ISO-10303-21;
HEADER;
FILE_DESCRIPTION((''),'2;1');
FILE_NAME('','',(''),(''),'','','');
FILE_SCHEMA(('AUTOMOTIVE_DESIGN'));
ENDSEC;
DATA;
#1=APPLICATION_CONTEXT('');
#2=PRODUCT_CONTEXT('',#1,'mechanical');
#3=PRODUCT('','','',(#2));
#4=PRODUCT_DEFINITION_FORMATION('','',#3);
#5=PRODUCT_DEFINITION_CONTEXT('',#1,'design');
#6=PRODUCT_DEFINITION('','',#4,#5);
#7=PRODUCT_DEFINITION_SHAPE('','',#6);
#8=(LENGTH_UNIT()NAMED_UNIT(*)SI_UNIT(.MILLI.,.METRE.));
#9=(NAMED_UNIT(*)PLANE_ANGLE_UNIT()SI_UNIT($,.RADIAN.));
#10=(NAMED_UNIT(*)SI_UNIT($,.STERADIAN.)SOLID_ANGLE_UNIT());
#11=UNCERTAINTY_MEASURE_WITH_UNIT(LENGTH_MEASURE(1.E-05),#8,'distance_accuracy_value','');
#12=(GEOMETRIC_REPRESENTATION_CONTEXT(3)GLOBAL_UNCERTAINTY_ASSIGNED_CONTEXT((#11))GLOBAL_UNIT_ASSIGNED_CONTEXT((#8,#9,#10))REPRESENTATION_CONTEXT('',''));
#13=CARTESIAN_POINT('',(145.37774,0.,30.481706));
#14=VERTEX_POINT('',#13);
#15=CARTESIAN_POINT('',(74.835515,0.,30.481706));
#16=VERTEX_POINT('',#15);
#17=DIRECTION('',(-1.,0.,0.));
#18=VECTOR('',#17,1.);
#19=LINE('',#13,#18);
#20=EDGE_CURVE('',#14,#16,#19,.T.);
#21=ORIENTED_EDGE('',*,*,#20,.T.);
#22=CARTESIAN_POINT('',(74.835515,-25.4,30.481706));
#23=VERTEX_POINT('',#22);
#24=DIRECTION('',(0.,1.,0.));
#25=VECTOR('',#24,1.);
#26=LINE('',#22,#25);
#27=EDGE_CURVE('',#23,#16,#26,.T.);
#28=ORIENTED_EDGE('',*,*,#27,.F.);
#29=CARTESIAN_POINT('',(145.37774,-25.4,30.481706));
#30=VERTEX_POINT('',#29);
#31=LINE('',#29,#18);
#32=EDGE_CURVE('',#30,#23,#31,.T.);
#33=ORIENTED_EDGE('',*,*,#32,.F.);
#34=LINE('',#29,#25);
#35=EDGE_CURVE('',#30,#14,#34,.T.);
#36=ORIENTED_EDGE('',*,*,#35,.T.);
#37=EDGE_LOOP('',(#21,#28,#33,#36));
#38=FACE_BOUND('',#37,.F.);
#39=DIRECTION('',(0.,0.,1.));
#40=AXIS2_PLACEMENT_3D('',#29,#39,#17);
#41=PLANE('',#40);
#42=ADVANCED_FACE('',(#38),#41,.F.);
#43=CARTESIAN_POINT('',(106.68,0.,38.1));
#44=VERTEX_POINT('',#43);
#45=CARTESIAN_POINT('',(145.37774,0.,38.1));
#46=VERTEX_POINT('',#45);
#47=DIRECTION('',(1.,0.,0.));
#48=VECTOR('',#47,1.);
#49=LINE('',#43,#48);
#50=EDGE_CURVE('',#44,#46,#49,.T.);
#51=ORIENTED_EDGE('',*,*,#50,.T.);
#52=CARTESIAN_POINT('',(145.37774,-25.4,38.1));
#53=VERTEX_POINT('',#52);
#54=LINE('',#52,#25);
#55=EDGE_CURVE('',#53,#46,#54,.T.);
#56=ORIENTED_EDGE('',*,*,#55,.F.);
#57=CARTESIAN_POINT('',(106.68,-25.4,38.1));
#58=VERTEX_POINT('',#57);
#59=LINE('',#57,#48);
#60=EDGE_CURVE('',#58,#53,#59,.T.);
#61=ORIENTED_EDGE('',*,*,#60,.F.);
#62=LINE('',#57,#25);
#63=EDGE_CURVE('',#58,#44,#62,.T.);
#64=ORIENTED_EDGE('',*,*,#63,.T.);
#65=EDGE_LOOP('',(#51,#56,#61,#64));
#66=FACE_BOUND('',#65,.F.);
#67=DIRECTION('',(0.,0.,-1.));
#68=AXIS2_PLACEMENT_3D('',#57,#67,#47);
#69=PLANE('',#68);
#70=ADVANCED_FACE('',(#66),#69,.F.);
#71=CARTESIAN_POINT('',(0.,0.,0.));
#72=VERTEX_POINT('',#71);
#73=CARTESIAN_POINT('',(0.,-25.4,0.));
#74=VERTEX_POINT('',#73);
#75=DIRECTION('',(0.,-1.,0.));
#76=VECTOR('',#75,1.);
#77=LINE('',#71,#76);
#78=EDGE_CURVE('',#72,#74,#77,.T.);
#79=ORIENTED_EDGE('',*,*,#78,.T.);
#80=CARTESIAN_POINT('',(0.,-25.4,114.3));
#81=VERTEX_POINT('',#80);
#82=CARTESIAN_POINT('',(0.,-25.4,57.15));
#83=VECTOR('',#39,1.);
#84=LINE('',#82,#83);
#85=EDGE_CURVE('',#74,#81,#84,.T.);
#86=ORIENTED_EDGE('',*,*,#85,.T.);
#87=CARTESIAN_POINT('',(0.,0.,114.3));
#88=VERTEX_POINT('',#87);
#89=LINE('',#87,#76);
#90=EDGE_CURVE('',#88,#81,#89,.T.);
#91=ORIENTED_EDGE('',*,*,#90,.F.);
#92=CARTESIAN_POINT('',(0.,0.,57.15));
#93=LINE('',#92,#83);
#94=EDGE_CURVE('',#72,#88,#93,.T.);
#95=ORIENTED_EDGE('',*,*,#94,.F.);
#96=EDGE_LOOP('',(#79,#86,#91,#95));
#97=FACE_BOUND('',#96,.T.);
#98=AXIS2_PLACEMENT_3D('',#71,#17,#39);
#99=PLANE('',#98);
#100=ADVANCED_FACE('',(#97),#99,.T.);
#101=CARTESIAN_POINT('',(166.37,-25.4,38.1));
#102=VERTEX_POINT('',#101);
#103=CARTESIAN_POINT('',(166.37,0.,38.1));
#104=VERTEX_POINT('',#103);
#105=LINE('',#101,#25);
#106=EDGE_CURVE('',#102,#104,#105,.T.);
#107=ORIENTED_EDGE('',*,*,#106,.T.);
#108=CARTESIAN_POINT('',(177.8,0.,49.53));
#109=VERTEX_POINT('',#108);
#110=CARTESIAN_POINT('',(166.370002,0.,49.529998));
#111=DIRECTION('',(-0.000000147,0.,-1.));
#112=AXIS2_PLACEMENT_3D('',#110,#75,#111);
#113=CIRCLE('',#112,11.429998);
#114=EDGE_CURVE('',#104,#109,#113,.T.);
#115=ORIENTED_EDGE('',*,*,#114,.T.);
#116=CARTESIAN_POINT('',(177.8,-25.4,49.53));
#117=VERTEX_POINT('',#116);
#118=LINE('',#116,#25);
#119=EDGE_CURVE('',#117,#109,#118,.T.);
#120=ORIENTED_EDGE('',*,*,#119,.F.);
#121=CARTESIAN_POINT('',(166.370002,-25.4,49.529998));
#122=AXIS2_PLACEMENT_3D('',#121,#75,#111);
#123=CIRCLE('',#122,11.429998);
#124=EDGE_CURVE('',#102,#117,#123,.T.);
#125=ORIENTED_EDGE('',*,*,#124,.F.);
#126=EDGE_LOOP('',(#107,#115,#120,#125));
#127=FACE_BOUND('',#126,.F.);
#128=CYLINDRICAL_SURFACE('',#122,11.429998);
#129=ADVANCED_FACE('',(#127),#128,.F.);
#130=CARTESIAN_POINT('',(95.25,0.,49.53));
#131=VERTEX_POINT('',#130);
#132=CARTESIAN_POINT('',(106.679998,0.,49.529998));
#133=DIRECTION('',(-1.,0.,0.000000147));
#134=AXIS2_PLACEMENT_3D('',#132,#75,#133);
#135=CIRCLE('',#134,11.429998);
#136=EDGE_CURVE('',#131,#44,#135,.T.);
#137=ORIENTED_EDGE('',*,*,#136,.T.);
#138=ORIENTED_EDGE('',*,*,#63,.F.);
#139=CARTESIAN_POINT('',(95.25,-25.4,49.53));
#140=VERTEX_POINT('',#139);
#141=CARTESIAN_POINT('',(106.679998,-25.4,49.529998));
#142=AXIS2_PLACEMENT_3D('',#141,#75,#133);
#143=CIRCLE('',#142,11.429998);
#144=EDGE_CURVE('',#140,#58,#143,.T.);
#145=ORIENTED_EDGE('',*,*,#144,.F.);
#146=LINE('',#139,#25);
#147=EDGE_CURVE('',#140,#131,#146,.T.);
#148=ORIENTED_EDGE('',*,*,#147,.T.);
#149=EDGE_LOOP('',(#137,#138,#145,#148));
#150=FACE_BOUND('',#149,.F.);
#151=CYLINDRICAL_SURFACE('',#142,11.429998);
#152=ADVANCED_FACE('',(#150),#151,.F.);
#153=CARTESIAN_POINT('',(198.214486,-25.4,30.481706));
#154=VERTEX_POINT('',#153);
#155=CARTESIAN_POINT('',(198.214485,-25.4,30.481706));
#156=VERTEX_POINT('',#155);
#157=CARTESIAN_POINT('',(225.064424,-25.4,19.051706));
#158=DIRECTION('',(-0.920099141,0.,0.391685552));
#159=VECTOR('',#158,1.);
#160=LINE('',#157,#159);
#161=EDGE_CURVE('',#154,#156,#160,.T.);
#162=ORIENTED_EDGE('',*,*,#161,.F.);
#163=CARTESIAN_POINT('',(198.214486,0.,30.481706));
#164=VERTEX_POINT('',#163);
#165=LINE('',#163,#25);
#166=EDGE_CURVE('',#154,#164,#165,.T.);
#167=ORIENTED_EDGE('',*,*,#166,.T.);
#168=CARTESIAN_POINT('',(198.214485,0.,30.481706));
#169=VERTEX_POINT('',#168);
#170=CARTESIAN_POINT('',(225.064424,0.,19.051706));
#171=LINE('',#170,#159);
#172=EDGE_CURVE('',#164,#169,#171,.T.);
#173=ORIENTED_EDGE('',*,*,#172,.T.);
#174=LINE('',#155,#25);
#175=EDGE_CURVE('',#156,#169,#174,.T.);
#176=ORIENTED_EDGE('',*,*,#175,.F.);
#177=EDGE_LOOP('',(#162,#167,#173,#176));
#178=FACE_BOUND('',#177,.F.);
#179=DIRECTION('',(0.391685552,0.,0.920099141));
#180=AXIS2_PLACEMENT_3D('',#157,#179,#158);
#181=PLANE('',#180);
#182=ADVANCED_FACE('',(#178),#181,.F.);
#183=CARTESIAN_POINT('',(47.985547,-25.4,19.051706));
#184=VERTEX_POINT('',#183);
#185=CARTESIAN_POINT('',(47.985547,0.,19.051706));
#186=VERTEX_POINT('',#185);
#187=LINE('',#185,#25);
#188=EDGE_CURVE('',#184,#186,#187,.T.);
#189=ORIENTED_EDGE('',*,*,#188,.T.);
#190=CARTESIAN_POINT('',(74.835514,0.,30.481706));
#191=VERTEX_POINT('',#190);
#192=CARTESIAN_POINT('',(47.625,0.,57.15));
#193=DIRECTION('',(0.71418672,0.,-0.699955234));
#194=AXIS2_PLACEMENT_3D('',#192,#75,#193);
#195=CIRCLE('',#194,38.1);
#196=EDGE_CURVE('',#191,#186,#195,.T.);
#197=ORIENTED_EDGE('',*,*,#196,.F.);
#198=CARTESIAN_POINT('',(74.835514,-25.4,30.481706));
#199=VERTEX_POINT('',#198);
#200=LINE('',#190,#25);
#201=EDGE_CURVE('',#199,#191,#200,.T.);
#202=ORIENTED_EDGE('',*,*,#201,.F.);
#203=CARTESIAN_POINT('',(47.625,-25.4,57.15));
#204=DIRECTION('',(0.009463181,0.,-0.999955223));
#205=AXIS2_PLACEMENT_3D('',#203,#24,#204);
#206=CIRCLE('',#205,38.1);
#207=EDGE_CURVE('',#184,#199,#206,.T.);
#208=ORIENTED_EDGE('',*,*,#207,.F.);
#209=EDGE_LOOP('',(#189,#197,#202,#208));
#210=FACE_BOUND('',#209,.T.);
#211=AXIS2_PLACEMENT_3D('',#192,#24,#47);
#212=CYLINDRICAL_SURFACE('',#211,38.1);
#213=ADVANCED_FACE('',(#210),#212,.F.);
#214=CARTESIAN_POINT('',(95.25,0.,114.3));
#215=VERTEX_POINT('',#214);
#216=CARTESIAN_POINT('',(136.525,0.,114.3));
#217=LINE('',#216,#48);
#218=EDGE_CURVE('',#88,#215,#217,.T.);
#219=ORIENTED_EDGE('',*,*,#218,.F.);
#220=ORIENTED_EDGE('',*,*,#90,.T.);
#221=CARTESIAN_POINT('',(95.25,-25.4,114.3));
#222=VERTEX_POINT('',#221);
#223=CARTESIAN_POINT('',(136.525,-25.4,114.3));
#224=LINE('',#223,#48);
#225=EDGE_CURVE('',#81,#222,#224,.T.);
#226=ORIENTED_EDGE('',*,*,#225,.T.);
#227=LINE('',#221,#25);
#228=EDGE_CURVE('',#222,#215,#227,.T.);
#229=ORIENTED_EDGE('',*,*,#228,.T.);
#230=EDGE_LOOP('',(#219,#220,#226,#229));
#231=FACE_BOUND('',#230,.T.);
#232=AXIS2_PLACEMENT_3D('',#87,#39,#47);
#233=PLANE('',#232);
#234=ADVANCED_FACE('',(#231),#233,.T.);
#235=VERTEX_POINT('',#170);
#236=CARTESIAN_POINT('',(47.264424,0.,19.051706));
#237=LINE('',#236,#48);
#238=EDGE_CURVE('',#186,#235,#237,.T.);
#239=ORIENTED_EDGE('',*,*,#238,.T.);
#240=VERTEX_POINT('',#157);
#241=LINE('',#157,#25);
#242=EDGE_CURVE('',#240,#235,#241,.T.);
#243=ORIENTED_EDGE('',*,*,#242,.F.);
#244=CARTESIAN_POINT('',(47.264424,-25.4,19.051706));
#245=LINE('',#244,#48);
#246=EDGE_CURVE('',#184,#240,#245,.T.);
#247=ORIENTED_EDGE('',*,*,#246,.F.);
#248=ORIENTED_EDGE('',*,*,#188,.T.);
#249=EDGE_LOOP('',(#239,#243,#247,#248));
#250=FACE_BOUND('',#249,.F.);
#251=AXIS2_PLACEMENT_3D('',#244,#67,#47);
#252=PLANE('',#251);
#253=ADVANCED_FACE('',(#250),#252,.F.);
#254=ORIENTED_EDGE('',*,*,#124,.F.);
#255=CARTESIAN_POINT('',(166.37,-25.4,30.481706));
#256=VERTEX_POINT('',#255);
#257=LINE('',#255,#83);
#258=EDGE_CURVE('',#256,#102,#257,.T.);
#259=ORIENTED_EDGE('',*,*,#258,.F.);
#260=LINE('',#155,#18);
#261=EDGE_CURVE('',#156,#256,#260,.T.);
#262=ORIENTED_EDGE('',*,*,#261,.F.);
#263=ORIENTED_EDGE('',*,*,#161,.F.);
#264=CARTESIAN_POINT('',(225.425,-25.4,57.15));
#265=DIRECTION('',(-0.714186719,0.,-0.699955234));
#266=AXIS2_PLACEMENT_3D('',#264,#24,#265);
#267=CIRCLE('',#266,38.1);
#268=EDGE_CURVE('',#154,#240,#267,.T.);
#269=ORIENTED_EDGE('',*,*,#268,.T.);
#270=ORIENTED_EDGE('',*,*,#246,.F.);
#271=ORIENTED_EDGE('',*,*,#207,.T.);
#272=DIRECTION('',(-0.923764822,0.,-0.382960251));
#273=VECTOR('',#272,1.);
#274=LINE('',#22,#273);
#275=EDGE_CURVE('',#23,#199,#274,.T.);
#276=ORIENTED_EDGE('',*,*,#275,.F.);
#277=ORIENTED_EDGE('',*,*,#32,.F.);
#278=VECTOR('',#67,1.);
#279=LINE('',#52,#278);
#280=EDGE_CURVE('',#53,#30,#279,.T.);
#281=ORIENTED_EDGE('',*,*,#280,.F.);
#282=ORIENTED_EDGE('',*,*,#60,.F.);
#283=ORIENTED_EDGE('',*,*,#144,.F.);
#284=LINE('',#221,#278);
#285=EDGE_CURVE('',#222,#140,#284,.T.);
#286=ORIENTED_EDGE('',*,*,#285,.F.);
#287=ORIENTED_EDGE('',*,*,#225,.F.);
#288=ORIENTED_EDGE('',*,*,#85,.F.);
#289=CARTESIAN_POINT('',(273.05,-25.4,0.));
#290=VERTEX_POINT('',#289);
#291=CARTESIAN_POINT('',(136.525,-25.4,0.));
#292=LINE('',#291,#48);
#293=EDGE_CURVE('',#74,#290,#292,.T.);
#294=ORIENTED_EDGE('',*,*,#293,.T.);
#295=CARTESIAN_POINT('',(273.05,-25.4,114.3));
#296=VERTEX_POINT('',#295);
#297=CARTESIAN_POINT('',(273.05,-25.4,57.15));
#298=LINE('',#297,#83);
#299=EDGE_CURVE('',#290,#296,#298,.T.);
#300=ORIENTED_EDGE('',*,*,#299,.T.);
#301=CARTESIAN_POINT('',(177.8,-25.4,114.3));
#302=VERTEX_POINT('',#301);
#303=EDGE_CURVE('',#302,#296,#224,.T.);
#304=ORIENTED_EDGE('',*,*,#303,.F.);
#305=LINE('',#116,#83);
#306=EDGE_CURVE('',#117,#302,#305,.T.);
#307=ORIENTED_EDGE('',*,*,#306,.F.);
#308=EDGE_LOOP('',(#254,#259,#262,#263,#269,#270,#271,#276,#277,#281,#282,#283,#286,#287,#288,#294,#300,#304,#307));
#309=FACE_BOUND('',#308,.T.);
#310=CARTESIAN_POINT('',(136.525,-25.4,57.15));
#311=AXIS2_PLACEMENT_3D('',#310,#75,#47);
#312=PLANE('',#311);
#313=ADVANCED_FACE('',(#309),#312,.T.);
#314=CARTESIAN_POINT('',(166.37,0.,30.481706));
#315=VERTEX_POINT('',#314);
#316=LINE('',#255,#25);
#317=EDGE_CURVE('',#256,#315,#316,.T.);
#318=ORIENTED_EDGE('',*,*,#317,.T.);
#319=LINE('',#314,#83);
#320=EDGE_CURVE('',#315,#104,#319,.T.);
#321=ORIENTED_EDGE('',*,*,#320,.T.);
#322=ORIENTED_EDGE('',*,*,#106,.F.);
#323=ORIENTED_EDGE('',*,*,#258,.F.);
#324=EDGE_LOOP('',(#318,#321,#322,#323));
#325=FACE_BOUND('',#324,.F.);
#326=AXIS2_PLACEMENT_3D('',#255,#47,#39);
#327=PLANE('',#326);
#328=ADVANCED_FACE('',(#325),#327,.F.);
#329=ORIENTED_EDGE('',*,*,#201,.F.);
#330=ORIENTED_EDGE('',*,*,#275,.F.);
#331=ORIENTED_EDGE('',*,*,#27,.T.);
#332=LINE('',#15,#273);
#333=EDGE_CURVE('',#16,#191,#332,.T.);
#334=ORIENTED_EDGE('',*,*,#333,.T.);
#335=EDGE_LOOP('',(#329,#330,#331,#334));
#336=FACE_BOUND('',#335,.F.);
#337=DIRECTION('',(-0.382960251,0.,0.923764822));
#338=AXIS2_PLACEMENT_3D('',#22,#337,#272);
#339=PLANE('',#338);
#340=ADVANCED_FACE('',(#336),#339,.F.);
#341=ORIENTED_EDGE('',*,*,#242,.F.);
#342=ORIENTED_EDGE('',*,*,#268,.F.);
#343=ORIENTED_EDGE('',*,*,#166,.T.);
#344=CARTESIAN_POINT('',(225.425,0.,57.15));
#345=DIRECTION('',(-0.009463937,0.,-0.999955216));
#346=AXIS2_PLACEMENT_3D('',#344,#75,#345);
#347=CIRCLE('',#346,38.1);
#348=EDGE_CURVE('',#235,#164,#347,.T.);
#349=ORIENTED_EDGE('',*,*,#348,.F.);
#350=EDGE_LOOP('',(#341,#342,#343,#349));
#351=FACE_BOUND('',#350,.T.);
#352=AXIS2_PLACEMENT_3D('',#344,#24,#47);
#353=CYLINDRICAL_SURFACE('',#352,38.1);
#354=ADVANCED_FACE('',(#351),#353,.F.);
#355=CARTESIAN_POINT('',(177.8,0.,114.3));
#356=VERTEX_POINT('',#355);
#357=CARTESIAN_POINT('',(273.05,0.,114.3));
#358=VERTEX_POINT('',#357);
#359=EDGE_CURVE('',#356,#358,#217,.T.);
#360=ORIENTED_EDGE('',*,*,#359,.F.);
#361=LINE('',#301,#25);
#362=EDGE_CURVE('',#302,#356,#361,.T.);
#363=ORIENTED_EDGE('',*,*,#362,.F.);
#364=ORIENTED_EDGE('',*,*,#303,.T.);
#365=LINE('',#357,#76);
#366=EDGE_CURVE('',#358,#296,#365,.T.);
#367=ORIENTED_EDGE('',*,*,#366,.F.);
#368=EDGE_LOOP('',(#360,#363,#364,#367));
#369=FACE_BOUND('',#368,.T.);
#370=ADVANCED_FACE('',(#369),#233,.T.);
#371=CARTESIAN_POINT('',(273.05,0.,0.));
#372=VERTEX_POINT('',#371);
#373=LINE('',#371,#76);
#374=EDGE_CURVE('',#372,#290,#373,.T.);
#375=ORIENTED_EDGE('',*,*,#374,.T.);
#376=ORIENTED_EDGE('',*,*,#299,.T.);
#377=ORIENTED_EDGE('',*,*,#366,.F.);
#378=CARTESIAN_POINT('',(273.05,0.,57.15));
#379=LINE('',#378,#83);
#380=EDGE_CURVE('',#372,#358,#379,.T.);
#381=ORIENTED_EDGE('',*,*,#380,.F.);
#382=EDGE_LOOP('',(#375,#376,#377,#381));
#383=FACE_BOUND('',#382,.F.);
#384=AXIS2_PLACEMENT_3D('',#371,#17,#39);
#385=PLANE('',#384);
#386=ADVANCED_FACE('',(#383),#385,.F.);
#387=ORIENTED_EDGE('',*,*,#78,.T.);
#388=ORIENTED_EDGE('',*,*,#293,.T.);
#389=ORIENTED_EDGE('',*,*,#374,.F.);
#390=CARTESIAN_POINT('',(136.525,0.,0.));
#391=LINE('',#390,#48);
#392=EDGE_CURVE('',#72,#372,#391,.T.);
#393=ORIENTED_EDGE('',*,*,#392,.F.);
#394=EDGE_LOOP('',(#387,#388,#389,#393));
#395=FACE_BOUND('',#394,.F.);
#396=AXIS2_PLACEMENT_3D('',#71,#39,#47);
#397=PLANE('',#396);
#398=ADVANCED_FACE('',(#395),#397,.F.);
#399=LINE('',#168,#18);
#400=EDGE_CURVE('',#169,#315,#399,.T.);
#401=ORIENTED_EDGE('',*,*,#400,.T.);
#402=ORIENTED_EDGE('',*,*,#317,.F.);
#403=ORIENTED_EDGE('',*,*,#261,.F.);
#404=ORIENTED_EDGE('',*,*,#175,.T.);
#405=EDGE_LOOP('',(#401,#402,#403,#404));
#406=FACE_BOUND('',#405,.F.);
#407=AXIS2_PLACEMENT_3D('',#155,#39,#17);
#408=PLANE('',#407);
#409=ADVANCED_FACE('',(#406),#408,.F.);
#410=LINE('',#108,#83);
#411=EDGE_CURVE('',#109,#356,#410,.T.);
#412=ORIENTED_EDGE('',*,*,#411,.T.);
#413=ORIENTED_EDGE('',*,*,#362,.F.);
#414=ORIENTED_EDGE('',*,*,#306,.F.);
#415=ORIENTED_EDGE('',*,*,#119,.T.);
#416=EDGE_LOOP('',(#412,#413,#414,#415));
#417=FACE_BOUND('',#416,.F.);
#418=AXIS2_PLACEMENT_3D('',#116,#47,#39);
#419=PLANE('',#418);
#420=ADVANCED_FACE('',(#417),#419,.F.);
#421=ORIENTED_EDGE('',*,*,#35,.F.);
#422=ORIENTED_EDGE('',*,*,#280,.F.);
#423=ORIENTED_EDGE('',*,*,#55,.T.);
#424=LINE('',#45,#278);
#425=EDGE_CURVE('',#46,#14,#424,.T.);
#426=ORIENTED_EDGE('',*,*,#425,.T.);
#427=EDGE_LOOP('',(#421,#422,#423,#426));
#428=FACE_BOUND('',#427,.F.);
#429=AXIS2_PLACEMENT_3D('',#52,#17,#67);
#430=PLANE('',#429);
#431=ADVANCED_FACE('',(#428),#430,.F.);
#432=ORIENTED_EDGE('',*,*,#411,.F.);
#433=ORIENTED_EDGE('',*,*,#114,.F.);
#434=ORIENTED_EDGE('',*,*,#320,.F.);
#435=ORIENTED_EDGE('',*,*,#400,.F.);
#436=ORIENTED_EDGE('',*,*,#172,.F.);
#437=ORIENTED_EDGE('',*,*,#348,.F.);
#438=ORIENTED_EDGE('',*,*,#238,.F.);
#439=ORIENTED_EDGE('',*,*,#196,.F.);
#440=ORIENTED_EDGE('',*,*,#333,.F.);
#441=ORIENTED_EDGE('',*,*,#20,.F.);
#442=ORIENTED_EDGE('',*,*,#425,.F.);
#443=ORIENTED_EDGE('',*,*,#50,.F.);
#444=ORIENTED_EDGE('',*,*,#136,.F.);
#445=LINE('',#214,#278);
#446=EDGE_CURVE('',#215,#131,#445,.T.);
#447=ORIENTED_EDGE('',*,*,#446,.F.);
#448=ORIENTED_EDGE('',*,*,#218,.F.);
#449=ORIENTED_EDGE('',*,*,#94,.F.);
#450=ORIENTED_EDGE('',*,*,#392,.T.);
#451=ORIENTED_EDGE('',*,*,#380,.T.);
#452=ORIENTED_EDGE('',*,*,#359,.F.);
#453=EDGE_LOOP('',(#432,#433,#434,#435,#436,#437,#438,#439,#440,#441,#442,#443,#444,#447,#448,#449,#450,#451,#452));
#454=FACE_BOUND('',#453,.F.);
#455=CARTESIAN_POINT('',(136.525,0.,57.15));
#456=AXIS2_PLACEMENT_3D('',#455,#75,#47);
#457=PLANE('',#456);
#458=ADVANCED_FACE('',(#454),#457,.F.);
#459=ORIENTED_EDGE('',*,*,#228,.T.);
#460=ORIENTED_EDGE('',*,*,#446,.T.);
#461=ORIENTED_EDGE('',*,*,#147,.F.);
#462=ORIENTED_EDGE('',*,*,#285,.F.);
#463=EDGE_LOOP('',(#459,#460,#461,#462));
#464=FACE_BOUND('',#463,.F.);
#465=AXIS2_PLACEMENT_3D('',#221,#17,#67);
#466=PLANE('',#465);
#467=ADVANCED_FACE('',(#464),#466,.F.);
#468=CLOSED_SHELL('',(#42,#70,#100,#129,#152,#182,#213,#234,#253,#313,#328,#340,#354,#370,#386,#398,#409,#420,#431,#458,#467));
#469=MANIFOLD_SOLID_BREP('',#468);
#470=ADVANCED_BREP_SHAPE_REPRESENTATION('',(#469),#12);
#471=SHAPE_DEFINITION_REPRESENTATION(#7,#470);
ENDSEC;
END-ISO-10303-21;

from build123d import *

# Parameters (mm, degrees)
F0_W     = 273.05
F0_H     = 114.3
F0_R     = 38.1
F1_DEPTH = 25.4
F3_DEPTH = 25.4
F5_DEPTH = 25.4


with BuildPart() as f1:
    # F0 (on Front) → F1 (new body)
    with BuildSketch(Plane.XZ):
        with Locations((136.525, 57.15)):
            Rectangle(F0_W, F0_H)
        with Locations((47.625, 57.15)):
            Circle(F0_R, mode=Mode.SUBTRACT)
        with Locations((225.425, 57.15)):
            Circle(F0_R, mode=Mode.SUBTRACT)
    extrude(amount=F1_DEPTH)

    # F2 (on face) → F3 (cut)
    with BuildSketch(Plane.XZ.offset(25.4)):
        with BuildLine():
            Line((177.8, 114.3), (95.25, 114.3))
            Line((95.25, 114.3), (95.25, 49.53))
            ThreePointArc((95.25, 49.53), (98.597769, 41.447769), (106.68, 38.1))
            Line((106.68, 38.1), (166.37, 38.1))
            ThreePointArc((166.37, 38.1), (174.452231, 41.447769), (177.8, 49.53))
            Line((177.8, 49.53), (177.8, 114.3))
        make_face()
    extrude(amount=-F3_DEPTH, mode=Mode.SUBTRACT)

    # F4 (on face) → F5 (cut)
    with BuildSketch(Plane.XZ.offset(25.4)):
        Polygon((166.37, 30.481706), (166.37, 38.1), (145.37774, 38.1), (145.37774, 30.481706), (74.835515, 30.481706), (47.264424, 19.051706), (225.064424, 19.051706), (198.214485, 30.481706), align=None)
    extrude(amount=-F5_DEPTH, mode=Mode.SUBTRACT)


solid = f1.part
